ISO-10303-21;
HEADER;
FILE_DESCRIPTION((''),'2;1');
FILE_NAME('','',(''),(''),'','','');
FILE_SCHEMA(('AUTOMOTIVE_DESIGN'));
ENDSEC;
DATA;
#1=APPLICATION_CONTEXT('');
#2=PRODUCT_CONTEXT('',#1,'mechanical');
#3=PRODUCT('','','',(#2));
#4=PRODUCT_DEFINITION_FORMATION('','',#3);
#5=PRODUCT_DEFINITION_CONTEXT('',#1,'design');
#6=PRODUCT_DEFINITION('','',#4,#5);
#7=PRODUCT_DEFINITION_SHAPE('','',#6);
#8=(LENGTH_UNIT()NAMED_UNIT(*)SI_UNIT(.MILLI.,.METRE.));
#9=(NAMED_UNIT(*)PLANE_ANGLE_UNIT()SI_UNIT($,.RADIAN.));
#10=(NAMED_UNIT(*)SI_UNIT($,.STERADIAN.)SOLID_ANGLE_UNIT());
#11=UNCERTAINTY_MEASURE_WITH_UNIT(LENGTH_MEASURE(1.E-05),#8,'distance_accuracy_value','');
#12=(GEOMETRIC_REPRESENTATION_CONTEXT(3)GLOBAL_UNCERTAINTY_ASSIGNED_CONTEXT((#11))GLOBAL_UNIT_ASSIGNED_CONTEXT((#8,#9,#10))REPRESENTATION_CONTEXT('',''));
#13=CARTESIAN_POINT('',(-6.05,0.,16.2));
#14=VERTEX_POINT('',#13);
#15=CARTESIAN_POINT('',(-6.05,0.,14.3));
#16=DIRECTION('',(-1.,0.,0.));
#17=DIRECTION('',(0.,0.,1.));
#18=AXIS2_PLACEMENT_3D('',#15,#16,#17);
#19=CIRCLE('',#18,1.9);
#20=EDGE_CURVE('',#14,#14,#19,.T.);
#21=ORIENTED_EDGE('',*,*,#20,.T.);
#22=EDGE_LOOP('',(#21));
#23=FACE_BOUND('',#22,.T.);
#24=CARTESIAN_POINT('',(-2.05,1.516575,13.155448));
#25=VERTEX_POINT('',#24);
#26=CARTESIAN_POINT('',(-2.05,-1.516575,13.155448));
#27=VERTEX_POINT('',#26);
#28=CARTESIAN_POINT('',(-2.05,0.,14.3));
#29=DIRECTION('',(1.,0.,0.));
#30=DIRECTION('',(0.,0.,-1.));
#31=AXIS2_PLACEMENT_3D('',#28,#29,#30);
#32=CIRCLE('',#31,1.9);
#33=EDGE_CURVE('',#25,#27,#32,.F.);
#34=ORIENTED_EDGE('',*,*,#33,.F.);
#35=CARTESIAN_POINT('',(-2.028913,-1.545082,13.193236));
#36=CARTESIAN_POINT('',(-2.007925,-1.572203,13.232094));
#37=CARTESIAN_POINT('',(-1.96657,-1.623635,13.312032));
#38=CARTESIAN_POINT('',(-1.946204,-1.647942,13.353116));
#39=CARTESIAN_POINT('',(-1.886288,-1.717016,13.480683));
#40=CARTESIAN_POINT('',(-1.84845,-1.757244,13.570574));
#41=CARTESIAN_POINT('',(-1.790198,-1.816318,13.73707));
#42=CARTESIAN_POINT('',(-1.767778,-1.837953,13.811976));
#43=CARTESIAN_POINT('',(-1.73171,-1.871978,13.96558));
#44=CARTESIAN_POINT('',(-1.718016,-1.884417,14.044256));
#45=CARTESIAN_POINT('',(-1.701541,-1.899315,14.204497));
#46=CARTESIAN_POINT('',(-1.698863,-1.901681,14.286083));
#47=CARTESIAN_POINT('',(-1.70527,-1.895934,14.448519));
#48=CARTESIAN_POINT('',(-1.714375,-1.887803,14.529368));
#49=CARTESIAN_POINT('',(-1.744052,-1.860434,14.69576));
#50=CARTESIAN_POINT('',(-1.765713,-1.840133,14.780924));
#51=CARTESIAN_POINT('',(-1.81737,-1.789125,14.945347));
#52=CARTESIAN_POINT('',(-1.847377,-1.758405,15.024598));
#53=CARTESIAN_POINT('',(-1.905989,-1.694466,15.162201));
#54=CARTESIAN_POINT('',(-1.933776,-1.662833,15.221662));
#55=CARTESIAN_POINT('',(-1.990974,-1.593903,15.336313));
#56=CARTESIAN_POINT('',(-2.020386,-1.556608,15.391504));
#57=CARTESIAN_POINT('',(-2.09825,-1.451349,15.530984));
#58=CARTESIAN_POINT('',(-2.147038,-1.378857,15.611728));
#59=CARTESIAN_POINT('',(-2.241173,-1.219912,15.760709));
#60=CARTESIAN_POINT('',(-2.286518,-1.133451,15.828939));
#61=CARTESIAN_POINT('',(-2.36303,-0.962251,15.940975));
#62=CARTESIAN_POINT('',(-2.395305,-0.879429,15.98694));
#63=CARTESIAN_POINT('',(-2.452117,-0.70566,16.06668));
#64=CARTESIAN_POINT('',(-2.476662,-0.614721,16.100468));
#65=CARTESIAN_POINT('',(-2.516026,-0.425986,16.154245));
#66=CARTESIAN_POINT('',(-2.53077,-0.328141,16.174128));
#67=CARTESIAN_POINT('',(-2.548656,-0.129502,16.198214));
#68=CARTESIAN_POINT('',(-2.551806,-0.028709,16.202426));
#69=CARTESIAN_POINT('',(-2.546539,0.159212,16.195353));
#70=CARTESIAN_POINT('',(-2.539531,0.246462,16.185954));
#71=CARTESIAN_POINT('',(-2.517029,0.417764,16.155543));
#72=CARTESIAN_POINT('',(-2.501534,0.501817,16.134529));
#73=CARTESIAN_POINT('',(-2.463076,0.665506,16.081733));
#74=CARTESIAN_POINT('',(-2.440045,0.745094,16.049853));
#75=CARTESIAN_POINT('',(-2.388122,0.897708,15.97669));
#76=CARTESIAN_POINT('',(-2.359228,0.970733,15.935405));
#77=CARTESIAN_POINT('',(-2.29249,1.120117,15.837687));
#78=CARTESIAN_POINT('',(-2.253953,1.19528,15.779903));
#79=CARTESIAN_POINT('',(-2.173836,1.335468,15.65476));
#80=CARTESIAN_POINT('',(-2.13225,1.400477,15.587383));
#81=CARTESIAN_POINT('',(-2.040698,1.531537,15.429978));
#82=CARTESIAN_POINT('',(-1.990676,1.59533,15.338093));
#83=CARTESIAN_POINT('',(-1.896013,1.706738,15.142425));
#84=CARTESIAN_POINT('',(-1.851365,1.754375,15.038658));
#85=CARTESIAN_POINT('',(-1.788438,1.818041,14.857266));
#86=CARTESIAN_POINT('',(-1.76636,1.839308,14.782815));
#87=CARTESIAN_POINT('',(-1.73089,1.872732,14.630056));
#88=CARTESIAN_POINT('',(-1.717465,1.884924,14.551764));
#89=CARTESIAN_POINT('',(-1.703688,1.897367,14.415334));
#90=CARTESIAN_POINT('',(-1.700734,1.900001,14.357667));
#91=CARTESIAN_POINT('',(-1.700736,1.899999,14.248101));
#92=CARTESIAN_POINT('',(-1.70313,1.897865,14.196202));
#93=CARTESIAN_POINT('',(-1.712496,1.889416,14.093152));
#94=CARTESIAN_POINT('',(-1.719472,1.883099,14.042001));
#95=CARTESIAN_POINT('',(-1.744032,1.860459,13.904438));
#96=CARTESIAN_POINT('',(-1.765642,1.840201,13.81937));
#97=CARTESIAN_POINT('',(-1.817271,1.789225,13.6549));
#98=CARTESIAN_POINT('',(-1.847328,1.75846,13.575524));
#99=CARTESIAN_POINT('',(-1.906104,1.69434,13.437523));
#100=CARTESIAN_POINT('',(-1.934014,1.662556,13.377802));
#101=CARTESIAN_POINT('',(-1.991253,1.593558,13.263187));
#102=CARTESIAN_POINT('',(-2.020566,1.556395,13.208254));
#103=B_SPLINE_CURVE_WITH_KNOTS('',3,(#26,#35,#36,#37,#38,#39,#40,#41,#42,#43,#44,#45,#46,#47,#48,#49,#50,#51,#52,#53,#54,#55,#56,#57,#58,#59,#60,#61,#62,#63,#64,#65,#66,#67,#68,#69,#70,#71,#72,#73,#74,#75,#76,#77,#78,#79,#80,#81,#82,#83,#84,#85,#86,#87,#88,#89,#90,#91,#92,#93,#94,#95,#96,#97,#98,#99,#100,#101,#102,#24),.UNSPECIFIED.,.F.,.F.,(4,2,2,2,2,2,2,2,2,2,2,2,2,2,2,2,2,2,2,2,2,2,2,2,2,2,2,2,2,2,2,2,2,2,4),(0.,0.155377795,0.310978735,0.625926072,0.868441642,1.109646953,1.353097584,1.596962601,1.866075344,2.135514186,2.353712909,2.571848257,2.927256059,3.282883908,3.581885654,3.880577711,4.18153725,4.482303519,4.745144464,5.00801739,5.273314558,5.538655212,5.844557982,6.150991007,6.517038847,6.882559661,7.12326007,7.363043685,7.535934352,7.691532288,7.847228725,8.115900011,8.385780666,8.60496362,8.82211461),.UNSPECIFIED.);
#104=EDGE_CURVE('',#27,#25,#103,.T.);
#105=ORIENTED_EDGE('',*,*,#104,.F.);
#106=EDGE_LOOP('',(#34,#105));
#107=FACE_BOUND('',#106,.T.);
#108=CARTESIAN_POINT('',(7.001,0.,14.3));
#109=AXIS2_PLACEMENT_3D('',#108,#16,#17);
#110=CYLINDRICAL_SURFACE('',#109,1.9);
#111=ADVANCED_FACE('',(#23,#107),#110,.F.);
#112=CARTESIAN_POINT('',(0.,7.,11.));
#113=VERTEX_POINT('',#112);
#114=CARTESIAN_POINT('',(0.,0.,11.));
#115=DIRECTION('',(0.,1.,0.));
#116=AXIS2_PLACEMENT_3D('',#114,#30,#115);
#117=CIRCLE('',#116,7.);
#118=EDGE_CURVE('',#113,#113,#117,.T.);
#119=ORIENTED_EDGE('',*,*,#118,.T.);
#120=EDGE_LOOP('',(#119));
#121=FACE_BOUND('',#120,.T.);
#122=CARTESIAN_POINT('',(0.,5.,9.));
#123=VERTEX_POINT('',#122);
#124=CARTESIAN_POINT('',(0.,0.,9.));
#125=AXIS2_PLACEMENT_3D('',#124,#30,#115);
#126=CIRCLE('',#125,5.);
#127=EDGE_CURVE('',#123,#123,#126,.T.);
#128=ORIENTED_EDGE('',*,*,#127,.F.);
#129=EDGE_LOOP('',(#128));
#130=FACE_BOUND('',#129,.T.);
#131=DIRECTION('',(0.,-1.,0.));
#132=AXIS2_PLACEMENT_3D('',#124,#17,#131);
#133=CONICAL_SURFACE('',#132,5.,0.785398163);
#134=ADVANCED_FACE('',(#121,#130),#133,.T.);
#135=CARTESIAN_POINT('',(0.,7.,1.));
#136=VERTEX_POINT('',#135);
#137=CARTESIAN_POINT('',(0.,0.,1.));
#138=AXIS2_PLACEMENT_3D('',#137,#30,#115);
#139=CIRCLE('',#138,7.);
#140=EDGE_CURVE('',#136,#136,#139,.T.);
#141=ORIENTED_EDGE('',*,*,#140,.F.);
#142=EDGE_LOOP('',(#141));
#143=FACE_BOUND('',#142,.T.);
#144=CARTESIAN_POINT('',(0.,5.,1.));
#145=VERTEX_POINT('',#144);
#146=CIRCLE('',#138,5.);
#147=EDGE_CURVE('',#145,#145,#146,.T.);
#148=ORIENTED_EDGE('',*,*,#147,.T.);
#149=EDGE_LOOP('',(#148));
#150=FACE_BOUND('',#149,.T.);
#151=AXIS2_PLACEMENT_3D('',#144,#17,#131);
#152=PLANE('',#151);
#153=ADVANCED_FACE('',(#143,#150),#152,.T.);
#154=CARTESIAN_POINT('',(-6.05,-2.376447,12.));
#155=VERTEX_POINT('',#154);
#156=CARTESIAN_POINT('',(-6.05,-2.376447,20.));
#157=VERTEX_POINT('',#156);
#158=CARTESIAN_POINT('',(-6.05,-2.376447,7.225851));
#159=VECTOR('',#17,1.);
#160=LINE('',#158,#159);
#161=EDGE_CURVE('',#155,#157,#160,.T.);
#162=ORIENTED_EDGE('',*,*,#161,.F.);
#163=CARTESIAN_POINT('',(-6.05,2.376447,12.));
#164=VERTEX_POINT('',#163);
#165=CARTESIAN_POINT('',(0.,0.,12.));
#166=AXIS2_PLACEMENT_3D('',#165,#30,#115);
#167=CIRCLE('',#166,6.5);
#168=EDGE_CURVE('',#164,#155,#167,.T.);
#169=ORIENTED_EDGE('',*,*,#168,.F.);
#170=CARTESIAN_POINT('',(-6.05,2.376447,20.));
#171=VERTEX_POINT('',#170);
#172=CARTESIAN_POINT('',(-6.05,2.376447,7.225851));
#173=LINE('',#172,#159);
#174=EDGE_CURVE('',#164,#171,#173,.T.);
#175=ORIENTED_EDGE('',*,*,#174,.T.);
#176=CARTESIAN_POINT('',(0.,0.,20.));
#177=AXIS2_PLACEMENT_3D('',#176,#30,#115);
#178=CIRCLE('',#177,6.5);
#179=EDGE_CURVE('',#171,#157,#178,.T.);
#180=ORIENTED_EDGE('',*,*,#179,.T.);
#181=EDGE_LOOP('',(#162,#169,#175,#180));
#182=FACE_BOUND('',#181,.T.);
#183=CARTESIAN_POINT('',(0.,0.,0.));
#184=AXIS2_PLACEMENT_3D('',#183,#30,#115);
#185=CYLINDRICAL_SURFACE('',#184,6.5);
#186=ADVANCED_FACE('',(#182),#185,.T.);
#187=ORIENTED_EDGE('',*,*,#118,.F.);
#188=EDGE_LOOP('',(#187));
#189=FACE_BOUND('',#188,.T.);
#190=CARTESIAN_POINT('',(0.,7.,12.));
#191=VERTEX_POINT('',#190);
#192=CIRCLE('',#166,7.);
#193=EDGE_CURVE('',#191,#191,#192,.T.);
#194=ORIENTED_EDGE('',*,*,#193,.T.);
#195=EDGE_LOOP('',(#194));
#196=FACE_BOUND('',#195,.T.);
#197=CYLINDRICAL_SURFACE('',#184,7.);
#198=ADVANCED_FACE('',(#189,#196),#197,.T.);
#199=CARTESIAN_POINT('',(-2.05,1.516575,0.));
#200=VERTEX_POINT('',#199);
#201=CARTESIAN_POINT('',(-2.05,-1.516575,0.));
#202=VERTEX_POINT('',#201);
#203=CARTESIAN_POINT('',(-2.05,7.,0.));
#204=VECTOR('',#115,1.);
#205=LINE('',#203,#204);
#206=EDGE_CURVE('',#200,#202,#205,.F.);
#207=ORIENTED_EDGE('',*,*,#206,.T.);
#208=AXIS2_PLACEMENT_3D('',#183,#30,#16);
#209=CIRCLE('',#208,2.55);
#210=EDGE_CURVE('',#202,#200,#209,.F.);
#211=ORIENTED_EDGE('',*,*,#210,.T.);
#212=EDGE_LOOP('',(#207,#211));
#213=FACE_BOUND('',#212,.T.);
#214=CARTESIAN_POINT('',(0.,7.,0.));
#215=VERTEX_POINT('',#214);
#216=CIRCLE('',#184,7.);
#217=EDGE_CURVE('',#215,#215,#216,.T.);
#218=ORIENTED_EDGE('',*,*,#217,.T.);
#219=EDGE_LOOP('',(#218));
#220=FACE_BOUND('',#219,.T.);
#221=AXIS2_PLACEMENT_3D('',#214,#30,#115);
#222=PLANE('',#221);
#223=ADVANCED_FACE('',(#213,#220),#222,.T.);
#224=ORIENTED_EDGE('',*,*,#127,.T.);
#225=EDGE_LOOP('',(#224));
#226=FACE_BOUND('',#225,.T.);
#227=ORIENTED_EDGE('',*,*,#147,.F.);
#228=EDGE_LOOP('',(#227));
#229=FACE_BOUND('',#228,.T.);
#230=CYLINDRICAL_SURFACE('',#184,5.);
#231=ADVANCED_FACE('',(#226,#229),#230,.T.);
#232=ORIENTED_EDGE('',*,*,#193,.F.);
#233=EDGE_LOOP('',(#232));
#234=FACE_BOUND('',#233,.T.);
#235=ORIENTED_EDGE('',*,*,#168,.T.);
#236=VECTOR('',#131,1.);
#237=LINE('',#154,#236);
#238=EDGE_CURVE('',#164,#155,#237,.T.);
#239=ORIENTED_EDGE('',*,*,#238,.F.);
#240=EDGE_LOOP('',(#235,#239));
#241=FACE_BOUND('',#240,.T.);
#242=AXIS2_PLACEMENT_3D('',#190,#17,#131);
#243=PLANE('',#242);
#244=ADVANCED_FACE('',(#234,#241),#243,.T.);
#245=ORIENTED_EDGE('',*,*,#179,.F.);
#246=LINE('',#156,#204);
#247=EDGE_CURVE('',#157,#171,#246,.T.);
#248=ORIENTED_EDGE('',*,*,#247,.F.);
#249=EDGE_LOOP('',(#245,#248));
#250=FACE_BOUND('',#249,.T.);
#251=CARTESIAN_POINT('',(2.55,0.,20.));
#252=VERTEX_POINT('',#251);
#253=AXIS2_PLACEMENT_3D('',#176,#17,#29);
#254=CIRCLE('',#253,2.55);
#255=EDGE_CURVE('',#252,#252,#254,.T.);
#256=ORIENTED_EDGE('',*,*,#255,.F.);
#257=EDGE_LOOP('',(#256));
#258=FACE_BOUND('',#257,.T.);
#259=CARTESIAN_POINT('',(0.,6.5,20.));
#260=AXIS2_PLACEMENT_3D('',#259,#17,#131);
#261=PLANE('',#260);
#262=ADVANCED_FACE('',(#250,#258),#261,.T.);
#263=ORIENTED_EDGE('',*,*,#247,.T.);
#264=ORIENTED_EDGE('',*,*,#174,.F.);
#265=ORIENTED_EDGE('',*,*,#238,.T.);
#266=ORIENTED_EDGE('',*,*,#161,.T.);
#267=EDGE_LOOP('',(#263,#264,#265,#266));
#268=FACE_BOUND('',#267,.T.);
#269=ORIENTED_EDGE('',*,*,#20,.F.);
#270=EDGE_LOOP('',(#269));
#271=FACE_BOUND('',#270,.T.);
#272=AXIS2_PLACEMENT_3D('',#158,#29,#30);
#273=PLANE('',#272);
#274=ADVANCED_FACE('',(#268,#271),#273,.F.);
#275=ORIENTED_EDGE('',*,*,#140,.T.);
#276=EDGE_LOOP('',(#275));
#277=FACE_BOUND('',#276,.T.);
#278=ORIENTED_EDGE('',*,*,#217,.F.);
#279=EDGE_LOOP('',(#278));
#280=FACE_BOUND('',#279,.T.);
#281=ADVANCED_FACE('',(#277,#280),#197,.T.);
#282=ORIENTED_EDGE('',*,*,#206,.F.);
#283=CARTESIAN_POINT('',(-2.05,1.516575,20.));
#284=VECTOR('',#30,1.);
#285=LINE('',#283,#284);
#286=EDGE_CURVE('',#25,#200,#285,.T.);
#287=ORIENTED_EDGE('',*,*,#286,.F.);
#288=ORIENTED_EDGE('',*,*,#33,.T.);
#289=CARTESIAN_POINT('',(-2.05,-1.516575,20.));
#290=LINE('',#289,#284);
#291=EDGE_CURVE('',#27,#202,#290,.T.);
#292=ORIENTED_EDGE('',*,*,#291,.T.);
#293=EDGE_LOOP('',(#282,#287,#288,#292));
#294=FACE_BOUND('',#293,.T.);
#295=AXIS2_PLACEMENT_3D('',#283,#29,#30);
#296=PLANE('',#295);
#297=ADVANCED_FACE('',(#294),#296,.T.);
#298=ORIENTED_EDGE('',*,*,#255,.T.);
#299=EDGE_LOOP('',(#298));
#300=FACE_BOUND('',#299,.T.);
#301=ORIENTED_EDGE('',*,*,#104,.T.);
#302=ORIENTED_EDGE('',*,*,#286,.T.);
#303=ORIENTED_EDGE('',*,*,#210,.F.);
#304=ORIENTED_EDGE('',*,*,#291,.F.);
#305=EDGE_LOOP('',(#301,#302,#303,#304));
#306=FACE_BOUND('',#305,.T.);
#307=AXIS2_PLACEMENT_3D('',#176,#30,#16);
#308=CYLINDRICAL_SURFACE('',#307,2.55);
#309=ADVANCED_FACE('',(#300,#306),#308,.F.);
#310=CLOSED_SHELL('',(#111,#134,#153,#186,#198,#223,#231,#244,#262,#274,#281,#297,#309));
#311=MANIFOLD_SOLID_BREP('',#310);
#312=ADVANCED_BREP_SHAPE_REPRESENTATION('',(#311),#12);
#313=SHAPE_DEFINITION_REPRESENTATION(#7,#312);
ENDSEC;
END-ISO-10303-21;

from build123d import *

# Parameters (mm, degrees)
CUT_EXTRUDE1_DEPTH      = 23.315913604
CUT_EXTRUDE1_DEPTH_BACK = 23.315913604
CUT_EXTRUDE2_START      = -8
CUT_EXTRUDE2_DEPTH      = 8
CUT_EXTRUDE3_REACH      = 26.886
SKETCH4_R               = 1.9
CUT_EXTRUDE4_START      = -5.7
SKETCH5_R               = 2.55
CUT_EXTRUDE4_DEPTH      = 5.7


with BuildPart() as part:
    # Sketch2 → Revolve1 (revolve)
    with BuildSketch(Plane(origin=(0, 0, 0), x_dir=(0, 0, -1), z_dir=(1, 0, 0))):
        Polygon((0, 0), (-20, 0), (-20, 6.5), (-12, 6.5), (-12, 7), (-11, 7), (-9, 5), (-1, 5), (-1, 7), (0, 7), align=None)
    revolve(axis=Axis((0, 0, 0), (0, 0, 1)))

    # Sketch1 → Cut-Extrude1 (cut, two sides: drawn at the far end of the back side and taken through both)
    with BuildSketch(Plane.XY.offset(-CUT_EXTRUDE1_DEPTH_BACK)):
        with BuildLine():
            Line((-2.05, 1.516575089), (-2.05, -1.516575089))
            ThreePointArc((-2.05, -1.516575089), (2.55, 0), (-2.05, 1.516575089))
        make_face()
    extrude(amount=CUT_EXTRUDE1_DEPTH + CUT_EXTRUDE1_DEPTH_BACK, mode=Mode.SUBTRACT)

    # Sketch3 → Cut-Extrude2 (cut)
    with BuildSketch(Plane.XY.offset(20).offset(CUT_EXTRUDE2_START)):
        with BuildLine():
            Line((-6.05, -2.376446928), (-6.05, 2.376446928))
            ThreePointArc((-6.05, 2.376446928), (-6.5, 0), (-6.05, -2.376446928))
        make_face()
    extrude(amount=CUT_EXTRUDE2_DEPTH, mode=Mode.SUBTRACT)

    # Sketch4 → Cut-Extrude3 (cut, up to next)
    with BuildSketch(Plane.ZY.offset(6.05), mode=Mode.PRIVATE) as cut_extrude3_sk1:
        with Locations((14.3, 0)):
            Circle(SKETCH4_R)
    cut_extrude3_tool1 = extrude(cut_extrude3_sk1.sketch, amount=-CUT_EXTRUDE3_REACH, mode=Mode.PRIVATE) & part.part
    add(cut_extrude3_tool1.solids().sort_by_distance((-6.05, 0, 14.3))[0], mode=Mode.SUBTRACT)

    # Sketch5 → Cut-Extrude4 (cut)
    with BuildSketch(Plane.XY.offset(20).offset(CUT_EXTRUDE4_START)):
        with Locations(Location((0, 0, 0), (0, 0, 143.5062334))):
            Circle(SKETCH5_R)
    extrude(amount=CUT_EXTRUDE4_DEPTH, mode=Mode.SUBTRACT)


solid = part.part
